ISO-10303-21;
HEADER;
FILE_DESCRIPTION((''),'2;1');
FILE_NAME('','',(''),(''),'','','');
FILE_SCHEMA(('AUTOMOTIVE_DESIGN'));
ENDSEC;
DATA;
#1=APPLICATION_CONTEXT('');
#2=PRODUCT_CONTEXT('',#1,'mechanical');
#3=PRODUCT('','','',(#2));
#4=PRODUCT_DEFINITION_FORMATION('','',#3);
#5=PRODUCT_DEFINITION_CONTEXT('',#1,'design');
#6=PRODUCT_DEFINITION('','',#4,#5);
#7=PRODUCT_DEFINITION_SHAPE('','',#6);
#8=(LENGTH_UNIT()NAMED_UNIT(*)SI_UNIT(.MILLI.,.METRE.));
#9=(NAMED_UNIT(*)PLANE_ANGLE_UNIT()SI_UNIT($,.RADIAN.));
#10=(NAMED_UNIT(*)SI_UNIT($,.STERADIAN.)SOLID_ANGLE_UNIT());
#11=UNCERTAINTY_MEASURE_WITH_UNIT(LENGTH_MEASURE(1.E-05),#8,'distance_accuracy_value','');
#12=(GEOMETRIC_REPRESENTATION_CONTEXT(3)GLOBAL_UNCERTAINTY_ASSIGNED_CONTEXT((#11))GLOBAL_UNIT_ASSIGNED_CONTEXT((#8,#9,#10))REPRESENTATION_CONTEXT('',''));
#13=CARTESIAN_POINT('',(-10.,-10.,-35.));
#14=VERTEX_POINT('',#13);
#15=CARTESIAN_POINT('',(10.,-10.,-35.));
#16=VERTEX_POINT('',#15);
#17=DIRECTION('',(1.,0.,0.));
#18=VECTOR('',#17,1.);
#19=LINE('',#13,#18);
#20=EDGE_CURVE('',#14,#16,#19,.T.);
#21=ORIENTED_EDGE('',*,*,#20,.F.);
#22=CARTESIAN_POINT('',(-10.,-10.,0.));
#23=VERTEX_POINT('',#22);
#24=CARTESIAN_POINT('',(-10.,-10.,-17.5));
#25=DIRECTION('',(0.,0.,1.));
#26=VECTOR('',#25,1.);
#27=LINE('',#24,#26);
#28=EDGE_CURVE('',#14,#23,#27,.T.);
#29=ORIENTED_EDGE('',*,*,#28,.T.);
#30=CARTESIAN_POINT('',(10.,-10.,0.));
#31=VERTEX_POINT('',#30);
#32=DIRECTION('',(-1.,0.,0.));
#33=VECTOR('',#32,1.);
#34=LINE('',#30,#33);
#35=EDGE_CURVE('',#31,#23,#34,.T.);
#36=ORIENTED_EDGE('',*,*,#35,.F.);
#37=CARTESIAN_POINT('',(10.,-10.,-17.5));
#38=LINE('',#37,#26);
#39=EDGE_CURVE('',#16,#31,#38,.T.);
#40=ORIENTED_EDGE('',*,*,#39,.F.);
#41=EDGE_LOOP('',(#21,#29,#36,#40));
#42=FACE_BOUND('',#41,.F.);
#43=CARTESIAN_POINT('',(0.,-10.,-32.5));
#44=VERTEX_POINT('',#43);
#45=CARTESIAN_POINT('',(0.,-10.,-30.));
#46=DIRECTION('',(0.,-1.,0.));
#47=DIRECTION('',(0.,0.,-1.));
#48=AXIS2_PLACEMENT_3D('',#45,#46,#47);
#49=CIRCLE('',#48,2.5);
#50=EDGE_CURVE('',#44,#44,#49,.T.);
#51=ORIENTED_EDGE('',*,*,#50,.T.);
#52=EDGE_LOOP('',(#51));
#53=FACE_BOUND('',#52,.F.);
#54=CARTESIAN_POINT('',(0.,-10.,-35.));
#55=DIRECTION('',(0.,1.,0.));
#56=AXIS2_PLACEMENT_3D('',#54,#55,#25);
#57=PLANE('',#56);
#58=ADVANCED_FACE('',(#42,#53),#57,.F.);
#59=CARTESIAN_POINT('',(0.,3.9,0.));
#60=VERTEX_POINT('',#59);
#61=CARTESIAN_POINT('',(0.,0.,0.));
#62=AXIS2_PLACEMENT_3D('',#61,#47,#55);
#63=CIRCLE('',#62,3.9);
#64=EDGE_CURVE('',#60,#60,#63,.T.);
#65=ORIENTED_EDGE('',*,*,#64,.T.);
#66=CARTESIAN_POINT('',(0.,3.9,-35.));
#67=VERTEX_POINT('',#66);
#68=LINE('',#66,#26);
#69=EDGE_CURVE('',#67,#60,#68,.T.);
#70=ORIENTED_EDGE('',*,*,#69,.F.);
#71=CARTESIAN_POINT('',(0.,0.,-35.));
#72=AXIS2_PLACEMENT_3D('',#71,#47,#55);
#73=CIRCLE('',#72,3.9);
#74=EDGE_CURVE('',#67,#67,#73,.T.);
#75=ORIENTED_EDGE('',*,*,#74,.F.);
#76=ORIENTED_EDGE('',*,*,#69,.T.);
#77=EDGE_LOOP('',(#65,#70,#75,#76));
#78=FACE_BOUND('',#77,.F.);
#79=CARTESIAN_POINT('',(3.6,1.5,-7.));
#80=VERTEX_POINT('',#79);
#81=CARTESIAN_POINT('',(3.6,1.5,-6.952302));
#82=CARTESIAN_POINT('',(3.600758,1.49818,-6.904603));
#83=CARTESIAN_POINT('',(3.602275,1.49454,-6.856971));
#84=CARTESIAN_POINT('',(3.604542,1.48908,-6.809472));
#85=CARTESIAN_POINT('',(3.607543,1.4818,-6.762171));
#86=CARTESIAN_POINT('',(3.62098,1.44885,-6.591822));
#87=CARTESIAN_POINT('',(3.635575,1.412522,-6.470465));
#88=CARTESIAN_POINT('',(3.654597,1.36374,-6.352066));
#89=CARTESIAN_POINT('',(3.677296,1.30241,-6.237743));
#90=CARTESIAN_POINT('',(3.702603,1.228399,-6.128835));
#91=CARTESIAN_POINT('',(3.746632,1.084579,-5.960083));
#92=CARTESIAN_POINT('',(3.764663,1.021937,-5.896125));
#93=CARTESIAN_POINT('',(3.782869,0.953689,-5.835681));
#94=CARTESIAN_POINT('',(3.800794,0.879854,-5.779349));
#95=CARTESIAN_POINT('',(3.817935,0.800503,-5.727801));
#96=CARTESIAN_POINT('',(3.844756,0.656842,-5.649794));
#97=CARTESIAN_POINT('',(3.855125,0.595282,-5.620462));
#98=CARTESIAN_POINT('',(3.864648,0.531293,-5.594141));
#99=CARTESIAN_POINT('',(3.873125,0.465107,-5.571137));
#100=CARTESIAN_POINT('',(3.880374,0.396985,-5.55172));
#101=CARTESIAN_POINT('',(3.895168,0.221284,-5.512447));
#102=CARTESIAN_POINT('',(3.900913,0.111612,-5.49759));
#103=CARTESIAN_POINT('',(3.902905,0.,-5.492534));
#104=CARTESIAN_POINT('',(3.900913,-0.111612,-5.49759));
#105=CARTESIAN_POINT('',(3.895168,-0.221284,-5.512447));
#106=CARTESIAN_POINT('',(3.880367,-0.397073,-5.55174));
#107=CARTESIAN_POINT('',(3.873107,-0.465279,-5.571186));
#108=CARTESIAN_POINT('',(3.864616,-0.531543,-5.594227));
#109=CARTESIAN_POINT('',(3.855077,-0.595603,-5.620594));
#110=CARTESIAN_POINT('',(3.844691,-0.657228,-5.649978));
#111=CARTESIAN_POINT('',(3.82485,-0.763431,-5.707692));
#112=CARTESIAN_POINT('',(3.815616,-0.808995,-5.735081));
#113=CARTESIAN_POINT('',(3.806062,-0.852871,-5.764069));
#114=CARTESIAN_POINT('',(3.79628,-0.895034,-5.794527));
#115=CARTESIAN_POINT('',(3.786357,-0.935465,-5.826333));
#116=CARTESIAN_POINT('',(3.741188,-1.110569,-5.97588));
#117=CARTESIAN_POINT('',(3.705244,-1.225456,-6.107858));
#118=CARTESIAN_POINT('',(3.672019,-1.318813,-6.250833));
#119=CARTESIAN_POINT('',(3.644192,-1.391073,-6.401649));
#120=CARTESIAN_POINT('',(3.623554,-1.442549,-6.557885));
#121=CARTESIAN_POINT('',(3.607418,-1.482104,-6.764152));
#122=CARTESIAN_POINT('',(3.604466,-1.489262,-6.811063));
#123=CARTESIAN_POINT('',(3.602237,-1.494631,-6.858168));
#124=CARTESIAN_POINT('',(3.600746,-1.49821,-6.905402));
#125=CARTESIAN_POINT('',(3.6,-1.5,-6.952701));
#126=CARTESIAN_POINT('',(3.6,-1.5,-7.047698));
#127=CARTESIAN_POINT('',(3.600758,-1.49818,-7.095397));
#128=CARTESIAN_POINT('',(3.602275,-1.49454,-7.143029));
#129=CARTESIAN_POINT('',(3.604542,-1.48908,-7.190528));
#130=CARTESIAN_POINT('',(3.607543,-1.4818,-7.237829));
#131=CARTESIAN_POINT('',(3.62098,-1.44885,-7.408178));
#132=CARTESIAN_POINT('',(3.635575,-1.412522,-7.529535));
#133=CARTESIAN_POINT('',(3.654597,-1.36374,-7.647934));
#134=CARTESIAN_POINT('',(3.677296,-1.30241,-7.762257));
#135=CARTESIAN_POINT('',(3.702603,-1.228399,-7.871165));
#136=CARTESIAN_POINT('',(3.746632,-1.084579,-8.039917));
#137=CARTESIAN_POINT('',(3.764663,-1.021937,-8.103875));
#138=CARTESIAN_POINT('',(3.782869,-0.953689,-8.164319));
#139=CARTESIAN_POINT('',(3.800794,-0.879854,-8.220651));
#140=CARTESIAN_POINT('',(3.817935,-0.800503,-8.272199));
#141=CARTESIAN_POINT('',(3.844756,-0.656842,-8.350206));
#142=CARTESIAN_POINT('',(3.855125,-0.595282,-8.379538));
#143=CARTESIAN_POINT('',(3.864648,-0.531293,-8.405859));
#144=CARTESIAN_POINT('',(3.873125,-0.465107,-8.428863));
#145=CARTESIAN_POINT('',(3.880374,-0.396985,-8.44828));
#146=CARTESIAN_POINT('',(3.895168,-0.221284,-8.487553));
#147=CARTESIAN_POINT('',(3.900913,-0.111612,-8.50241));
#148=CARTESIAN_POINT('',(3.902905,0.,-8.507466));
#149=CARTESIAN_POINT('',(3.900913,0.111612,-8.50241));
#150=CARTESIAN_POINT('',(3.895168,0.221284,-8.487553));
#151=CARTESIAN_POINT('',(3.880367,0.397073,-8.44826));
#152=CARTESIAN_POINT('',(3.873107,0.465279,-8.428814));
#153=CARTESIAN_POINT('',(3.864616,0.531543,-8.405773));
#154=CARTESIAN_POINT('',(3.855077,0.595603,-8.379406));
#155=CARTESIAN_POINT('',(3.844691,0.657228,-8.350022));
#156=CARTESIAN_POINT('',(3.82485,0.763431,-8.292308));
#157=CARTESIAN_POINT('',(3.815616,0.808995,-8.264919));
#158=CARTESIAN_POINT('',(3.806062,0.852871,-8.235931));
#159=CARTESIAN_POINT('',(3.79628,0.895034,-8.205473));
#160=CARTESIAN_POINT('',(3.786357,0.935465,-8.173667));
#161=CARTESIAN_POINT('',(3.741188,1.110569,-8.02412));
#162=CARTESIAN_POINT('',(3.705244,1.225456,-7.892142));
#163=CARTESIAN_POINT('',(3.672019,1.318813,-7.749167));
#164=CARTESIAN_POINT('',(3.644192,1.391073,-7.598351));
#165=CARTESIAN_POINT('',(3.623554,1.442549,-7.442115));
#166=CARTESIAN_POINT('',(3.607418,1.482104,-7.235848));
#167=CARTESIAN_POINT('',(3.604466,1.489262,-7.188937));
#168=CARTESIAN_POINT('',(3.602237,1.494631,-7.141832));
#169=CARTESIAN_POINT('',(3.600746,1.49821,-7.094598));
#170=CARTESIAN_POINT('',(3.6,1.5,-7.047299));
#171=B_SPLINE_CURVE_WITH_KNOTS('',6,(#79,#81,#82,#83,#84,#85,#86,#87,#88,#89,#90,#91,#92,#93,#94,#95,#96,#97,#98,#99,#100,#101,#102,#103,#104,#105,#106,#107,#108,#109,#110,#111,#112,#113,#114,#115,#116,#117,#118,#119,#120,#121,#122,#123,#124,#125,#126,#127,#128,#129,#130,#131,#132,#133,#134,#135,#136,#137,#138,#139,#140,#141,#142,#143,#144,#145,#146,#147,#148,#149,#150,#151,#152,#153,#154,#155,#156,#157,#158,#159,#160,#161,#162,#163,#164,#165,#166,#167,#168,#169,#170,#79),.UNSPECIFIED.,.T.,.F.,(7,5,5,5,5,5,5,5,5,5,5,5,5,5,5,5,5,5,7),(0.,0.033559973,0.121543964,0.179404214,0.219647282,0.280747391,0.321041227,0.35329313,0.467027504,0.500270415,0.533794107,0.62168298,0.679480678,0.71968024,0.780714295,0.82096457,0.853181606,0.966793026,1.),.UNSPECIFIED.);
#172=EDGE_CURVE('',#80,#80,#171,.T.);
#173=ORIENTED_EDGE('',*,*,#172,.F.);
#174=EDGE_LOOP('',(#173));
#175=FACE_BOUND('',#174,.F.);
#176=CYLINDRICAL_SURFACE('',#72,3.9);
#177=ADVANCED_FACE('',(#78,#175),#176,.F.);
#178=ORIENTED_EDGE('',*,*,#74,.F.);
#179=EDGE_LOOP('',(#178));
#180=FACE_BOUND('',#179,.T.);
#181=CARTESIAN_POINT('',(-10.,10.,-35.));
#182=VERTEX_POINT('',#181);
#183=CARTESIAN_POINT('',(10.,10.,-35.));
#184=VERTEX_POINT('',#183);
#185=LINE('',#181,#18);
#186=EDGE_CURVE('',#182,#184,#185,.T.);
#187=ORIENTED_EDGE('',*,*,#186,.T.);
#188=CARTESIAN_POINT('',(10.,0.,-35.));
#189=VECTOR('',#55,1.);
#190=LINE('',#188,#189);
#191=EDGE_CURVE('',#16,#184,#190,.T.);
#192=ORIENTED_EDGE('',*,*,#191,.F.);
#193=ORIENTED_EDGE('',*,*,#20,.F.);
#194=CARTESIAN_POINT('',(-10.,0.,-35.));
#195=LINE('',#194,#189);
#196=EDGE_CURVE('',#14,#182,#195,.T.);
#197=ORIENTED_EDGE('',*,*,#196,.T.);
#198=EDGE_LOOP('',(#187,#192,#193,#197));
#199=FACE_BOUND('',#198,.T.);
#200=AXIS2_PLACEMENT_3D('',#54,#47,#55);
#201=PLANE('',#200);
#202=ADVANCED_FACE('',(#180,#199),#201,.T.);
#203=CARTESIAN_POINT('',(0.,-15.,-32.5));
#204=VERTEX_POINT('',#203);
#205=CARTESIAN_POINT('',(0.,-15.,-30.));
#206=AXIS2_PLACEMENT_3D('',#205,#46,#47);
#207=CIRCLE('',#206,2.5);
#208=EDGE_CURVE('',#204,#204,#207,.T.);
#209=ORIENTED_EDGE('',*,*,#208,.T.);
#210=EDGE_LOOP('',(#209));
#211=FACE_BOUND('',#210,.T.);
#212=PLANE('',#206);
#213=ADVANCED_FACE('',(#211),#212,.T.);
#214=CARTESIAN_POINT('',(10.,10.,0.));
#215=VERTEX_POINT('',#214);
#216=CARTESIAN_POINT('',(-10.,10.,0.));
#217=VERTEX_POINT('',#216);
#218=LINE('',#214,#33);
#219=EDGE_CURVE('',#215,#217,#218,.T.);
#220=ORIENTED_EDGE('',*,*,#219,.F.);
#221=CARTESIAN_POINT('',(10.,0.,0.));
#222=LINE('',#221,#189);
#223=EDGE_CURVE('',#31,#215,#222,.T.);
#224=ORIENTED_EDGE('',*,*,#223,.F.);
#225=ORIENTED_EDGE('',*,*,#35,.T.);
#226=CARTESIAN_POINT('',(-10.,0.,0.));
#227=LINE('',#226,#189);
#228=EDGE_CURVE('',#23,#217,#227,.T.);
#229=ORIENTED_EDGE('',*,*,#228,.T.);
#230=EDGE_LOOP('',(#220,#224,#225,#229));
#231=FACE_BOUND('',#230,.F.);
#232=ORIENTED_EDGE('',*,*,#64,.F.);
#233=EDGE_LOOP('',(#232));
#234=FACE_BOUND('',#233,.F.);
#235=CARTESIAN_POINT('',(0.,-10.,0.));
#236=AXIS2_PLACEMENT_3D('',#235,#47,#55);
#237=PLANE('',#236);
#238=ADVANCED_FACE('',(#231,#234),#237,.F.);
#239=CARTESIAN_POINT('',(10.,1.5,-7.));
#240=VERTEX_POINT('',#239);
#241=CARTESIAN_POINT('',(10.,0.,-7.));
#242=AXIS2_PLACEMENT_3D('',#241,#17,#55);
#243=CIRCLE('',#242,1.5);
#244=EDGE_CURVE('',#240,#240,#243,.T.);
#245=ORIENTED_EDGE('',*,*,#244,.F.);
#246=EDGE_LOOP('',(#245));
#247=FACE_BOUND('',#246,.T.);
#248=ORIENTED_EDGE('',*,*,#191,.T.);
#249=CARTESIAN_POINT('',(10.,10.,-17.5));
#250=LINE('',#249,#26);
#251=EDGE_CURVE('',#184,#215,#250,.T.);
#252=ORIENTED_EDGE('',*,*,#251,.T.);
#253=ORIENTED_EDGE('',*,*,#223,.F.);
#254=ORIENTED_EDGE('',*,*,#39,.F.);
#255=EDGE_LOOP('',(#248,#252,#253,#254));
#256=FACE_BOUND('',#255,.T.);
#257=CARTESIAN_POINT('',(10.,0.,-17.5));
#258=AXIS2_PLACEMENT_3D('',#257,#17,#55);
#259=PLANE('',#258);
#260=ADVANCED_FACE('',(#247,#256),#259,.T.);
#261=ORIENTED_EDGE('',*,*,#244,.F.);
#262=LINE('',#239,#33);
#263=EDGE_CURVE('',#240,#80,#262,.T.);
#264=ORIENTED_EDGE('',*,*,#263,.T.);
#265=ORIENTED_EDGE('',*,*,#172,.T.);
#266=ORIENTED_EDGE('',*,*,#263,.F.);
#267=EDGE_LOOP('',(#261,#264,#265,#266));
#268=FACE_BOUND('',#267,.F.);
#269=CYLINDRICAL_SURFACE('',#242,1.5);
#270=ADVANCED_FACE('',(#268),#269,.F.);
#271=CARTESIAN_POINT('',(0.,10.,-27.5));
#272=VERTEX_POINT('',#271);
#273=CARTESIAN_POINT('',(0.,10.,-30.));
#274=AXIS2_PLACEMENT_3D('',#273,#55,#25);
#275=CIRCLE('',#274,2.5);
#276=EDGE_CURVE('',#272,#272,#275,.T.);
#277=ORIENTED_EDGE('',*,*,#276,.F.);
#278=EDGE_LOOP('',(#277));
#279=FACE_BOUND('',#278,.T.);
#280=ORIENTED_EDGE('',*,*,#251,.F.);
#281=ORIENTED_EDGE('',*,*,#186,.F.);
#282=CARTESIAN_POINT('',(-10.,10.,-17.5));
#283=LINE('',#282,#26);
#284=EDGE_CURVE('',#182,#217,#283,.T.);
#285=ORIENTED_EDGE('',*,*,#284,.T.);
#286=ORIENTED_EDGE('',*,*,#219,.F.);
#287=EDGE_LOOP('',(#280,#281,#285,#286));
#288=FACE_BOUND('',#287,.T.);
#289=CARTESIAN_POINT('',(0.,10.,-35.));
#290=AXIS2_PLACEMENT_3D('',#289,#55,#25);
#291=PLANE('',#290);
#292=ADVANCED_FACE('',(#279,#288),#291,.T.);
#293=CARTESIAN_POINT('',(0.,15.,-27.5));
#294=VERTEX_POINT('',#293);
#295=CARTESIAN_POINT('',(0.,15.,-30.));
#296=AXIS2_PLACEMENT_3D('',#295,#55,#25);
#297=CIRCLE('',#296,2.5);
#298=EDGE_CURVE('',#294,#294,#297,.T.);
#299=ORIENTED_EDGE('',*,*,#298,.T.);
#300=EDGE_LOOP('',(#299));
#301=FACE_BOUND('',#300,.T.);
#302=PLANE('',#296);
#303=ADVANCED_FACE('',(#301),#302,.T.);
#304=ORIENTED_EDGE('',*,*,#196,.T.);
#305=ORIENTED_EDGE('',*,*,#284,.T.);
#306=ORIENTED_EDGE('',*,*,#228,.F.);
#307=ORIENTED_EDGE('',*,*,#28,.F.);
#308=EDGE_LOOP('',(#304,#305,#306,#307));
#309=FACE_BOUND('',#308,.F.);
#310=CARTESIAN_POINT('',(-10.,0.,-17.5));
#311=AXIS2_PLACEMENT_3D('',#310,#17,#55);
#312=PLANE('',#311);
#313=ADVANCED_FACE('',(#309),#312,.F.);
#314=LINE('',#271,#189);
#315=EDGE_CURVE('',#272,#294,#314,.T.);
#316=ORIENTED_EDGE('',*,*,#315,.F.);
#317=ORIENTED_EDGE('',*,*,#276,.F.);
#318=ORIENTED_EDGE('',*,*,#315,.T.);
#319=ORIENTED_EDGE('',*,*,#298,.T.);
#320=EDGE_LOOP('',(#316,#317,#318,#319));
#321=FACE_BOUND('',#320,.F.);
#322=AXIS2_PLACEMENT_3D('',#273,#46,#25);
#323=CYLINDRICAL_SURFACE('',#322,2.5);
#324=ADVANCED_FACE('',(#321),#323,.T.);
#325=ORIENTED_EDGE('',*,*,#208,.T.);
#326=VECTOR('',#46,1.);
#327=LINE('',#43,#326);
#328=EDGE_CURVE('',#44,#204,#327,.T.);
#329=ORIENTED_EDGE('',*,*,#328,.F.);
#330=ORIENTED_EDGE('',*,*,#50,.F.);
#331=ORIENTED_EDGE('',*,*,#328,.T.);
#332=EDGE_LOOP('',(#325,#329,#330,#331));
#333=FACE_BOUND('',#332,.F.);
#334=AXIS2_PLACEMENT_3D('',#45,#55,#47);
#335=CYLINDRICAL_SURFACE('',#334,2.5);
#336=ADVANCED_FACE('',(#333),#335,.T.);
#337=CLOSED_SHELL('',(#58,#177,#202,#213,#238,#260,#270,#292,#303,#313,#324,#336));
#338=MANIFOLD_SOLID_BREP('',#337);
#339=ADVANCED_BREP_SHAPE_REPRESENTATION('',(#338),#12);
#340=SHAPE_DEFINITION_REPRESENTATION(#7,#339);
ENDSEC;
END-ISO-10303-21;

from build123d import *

# Parameters (mm, degrees)
SKETCH106_W     = 20
SKETCH106_H     = 35
PAD054_DEPTH    = 10
PAD055_DEPTH    = 10
SKETCH107_R     = 3.9
POCKET042_DEPTH = 35
SKETCH108_R     = 1.5
POCKET043_DEPTH = 10
SKETCH109_R     = 2.5
PAD056_DEPTH    = 5
SKETCH110_R     = 2.5
PAD057_DEPTH    = 5


with BuildPart() as part:
    # Sketch106 → Pad054 (new body, symmetric)
    with BuildSketch(Plane.YZ):
        with Locations((0, -17.5)):
            Rectangle(SKETCH106_W, SKETCH106_H)
    extrude(amount=PAD054_DEPTH, both=True)

    # Sketch106 → Pad055 (join)
    with BuildSketch(Plane.YZ):
        with Locations((0, -17.5)):
            Rectangle(SKETCH106_W, SKETCH106_H)
    extrude(amount=PAD055_DEPTH)

    # Sketch107 (on Face1 of Pad055) → Pocket042 (cut)
    with BuildSketch(Plane.YX.offset(35)):
        Circle(SKETCH107_R)
    extrude(amount=-POCKET042_DEPTH, mode=Mode.SUBTRACT)

    # Sketch108 (on Face9 of Pocket042) → Pocket043 (cut)
    with BuildSketch(Plane.YZ.offset(10)):
        with Locations((0, -7)):
            Circle(SKETCH108_R)
    extrude(amount=-POCKET043_DEPTH, mode=Mode.SUBTRACT)

    # Sketch109 (on Face8 of Pocket043) → Pad056 (join)
    with BuildSketch(Plane.ZX.offset(10)):
        with Locations((-30, 0)):
            Circle(SKETCH109_R)
    extrude(amount=PAD056_DEPTH)

    # Sketch110 (on Face11 of Pad056) → Pad057 (join)
    with BuildSketch(Plane(origin=(0, -10, 0), x_dir=(0, 0, -1), z_dir=(0, -1, 0))):
        with Locations((30, 0)):
            Circle(SKETCH110_R)
    extrude(amount=PAD057_DEPTH)


solid = part.part
